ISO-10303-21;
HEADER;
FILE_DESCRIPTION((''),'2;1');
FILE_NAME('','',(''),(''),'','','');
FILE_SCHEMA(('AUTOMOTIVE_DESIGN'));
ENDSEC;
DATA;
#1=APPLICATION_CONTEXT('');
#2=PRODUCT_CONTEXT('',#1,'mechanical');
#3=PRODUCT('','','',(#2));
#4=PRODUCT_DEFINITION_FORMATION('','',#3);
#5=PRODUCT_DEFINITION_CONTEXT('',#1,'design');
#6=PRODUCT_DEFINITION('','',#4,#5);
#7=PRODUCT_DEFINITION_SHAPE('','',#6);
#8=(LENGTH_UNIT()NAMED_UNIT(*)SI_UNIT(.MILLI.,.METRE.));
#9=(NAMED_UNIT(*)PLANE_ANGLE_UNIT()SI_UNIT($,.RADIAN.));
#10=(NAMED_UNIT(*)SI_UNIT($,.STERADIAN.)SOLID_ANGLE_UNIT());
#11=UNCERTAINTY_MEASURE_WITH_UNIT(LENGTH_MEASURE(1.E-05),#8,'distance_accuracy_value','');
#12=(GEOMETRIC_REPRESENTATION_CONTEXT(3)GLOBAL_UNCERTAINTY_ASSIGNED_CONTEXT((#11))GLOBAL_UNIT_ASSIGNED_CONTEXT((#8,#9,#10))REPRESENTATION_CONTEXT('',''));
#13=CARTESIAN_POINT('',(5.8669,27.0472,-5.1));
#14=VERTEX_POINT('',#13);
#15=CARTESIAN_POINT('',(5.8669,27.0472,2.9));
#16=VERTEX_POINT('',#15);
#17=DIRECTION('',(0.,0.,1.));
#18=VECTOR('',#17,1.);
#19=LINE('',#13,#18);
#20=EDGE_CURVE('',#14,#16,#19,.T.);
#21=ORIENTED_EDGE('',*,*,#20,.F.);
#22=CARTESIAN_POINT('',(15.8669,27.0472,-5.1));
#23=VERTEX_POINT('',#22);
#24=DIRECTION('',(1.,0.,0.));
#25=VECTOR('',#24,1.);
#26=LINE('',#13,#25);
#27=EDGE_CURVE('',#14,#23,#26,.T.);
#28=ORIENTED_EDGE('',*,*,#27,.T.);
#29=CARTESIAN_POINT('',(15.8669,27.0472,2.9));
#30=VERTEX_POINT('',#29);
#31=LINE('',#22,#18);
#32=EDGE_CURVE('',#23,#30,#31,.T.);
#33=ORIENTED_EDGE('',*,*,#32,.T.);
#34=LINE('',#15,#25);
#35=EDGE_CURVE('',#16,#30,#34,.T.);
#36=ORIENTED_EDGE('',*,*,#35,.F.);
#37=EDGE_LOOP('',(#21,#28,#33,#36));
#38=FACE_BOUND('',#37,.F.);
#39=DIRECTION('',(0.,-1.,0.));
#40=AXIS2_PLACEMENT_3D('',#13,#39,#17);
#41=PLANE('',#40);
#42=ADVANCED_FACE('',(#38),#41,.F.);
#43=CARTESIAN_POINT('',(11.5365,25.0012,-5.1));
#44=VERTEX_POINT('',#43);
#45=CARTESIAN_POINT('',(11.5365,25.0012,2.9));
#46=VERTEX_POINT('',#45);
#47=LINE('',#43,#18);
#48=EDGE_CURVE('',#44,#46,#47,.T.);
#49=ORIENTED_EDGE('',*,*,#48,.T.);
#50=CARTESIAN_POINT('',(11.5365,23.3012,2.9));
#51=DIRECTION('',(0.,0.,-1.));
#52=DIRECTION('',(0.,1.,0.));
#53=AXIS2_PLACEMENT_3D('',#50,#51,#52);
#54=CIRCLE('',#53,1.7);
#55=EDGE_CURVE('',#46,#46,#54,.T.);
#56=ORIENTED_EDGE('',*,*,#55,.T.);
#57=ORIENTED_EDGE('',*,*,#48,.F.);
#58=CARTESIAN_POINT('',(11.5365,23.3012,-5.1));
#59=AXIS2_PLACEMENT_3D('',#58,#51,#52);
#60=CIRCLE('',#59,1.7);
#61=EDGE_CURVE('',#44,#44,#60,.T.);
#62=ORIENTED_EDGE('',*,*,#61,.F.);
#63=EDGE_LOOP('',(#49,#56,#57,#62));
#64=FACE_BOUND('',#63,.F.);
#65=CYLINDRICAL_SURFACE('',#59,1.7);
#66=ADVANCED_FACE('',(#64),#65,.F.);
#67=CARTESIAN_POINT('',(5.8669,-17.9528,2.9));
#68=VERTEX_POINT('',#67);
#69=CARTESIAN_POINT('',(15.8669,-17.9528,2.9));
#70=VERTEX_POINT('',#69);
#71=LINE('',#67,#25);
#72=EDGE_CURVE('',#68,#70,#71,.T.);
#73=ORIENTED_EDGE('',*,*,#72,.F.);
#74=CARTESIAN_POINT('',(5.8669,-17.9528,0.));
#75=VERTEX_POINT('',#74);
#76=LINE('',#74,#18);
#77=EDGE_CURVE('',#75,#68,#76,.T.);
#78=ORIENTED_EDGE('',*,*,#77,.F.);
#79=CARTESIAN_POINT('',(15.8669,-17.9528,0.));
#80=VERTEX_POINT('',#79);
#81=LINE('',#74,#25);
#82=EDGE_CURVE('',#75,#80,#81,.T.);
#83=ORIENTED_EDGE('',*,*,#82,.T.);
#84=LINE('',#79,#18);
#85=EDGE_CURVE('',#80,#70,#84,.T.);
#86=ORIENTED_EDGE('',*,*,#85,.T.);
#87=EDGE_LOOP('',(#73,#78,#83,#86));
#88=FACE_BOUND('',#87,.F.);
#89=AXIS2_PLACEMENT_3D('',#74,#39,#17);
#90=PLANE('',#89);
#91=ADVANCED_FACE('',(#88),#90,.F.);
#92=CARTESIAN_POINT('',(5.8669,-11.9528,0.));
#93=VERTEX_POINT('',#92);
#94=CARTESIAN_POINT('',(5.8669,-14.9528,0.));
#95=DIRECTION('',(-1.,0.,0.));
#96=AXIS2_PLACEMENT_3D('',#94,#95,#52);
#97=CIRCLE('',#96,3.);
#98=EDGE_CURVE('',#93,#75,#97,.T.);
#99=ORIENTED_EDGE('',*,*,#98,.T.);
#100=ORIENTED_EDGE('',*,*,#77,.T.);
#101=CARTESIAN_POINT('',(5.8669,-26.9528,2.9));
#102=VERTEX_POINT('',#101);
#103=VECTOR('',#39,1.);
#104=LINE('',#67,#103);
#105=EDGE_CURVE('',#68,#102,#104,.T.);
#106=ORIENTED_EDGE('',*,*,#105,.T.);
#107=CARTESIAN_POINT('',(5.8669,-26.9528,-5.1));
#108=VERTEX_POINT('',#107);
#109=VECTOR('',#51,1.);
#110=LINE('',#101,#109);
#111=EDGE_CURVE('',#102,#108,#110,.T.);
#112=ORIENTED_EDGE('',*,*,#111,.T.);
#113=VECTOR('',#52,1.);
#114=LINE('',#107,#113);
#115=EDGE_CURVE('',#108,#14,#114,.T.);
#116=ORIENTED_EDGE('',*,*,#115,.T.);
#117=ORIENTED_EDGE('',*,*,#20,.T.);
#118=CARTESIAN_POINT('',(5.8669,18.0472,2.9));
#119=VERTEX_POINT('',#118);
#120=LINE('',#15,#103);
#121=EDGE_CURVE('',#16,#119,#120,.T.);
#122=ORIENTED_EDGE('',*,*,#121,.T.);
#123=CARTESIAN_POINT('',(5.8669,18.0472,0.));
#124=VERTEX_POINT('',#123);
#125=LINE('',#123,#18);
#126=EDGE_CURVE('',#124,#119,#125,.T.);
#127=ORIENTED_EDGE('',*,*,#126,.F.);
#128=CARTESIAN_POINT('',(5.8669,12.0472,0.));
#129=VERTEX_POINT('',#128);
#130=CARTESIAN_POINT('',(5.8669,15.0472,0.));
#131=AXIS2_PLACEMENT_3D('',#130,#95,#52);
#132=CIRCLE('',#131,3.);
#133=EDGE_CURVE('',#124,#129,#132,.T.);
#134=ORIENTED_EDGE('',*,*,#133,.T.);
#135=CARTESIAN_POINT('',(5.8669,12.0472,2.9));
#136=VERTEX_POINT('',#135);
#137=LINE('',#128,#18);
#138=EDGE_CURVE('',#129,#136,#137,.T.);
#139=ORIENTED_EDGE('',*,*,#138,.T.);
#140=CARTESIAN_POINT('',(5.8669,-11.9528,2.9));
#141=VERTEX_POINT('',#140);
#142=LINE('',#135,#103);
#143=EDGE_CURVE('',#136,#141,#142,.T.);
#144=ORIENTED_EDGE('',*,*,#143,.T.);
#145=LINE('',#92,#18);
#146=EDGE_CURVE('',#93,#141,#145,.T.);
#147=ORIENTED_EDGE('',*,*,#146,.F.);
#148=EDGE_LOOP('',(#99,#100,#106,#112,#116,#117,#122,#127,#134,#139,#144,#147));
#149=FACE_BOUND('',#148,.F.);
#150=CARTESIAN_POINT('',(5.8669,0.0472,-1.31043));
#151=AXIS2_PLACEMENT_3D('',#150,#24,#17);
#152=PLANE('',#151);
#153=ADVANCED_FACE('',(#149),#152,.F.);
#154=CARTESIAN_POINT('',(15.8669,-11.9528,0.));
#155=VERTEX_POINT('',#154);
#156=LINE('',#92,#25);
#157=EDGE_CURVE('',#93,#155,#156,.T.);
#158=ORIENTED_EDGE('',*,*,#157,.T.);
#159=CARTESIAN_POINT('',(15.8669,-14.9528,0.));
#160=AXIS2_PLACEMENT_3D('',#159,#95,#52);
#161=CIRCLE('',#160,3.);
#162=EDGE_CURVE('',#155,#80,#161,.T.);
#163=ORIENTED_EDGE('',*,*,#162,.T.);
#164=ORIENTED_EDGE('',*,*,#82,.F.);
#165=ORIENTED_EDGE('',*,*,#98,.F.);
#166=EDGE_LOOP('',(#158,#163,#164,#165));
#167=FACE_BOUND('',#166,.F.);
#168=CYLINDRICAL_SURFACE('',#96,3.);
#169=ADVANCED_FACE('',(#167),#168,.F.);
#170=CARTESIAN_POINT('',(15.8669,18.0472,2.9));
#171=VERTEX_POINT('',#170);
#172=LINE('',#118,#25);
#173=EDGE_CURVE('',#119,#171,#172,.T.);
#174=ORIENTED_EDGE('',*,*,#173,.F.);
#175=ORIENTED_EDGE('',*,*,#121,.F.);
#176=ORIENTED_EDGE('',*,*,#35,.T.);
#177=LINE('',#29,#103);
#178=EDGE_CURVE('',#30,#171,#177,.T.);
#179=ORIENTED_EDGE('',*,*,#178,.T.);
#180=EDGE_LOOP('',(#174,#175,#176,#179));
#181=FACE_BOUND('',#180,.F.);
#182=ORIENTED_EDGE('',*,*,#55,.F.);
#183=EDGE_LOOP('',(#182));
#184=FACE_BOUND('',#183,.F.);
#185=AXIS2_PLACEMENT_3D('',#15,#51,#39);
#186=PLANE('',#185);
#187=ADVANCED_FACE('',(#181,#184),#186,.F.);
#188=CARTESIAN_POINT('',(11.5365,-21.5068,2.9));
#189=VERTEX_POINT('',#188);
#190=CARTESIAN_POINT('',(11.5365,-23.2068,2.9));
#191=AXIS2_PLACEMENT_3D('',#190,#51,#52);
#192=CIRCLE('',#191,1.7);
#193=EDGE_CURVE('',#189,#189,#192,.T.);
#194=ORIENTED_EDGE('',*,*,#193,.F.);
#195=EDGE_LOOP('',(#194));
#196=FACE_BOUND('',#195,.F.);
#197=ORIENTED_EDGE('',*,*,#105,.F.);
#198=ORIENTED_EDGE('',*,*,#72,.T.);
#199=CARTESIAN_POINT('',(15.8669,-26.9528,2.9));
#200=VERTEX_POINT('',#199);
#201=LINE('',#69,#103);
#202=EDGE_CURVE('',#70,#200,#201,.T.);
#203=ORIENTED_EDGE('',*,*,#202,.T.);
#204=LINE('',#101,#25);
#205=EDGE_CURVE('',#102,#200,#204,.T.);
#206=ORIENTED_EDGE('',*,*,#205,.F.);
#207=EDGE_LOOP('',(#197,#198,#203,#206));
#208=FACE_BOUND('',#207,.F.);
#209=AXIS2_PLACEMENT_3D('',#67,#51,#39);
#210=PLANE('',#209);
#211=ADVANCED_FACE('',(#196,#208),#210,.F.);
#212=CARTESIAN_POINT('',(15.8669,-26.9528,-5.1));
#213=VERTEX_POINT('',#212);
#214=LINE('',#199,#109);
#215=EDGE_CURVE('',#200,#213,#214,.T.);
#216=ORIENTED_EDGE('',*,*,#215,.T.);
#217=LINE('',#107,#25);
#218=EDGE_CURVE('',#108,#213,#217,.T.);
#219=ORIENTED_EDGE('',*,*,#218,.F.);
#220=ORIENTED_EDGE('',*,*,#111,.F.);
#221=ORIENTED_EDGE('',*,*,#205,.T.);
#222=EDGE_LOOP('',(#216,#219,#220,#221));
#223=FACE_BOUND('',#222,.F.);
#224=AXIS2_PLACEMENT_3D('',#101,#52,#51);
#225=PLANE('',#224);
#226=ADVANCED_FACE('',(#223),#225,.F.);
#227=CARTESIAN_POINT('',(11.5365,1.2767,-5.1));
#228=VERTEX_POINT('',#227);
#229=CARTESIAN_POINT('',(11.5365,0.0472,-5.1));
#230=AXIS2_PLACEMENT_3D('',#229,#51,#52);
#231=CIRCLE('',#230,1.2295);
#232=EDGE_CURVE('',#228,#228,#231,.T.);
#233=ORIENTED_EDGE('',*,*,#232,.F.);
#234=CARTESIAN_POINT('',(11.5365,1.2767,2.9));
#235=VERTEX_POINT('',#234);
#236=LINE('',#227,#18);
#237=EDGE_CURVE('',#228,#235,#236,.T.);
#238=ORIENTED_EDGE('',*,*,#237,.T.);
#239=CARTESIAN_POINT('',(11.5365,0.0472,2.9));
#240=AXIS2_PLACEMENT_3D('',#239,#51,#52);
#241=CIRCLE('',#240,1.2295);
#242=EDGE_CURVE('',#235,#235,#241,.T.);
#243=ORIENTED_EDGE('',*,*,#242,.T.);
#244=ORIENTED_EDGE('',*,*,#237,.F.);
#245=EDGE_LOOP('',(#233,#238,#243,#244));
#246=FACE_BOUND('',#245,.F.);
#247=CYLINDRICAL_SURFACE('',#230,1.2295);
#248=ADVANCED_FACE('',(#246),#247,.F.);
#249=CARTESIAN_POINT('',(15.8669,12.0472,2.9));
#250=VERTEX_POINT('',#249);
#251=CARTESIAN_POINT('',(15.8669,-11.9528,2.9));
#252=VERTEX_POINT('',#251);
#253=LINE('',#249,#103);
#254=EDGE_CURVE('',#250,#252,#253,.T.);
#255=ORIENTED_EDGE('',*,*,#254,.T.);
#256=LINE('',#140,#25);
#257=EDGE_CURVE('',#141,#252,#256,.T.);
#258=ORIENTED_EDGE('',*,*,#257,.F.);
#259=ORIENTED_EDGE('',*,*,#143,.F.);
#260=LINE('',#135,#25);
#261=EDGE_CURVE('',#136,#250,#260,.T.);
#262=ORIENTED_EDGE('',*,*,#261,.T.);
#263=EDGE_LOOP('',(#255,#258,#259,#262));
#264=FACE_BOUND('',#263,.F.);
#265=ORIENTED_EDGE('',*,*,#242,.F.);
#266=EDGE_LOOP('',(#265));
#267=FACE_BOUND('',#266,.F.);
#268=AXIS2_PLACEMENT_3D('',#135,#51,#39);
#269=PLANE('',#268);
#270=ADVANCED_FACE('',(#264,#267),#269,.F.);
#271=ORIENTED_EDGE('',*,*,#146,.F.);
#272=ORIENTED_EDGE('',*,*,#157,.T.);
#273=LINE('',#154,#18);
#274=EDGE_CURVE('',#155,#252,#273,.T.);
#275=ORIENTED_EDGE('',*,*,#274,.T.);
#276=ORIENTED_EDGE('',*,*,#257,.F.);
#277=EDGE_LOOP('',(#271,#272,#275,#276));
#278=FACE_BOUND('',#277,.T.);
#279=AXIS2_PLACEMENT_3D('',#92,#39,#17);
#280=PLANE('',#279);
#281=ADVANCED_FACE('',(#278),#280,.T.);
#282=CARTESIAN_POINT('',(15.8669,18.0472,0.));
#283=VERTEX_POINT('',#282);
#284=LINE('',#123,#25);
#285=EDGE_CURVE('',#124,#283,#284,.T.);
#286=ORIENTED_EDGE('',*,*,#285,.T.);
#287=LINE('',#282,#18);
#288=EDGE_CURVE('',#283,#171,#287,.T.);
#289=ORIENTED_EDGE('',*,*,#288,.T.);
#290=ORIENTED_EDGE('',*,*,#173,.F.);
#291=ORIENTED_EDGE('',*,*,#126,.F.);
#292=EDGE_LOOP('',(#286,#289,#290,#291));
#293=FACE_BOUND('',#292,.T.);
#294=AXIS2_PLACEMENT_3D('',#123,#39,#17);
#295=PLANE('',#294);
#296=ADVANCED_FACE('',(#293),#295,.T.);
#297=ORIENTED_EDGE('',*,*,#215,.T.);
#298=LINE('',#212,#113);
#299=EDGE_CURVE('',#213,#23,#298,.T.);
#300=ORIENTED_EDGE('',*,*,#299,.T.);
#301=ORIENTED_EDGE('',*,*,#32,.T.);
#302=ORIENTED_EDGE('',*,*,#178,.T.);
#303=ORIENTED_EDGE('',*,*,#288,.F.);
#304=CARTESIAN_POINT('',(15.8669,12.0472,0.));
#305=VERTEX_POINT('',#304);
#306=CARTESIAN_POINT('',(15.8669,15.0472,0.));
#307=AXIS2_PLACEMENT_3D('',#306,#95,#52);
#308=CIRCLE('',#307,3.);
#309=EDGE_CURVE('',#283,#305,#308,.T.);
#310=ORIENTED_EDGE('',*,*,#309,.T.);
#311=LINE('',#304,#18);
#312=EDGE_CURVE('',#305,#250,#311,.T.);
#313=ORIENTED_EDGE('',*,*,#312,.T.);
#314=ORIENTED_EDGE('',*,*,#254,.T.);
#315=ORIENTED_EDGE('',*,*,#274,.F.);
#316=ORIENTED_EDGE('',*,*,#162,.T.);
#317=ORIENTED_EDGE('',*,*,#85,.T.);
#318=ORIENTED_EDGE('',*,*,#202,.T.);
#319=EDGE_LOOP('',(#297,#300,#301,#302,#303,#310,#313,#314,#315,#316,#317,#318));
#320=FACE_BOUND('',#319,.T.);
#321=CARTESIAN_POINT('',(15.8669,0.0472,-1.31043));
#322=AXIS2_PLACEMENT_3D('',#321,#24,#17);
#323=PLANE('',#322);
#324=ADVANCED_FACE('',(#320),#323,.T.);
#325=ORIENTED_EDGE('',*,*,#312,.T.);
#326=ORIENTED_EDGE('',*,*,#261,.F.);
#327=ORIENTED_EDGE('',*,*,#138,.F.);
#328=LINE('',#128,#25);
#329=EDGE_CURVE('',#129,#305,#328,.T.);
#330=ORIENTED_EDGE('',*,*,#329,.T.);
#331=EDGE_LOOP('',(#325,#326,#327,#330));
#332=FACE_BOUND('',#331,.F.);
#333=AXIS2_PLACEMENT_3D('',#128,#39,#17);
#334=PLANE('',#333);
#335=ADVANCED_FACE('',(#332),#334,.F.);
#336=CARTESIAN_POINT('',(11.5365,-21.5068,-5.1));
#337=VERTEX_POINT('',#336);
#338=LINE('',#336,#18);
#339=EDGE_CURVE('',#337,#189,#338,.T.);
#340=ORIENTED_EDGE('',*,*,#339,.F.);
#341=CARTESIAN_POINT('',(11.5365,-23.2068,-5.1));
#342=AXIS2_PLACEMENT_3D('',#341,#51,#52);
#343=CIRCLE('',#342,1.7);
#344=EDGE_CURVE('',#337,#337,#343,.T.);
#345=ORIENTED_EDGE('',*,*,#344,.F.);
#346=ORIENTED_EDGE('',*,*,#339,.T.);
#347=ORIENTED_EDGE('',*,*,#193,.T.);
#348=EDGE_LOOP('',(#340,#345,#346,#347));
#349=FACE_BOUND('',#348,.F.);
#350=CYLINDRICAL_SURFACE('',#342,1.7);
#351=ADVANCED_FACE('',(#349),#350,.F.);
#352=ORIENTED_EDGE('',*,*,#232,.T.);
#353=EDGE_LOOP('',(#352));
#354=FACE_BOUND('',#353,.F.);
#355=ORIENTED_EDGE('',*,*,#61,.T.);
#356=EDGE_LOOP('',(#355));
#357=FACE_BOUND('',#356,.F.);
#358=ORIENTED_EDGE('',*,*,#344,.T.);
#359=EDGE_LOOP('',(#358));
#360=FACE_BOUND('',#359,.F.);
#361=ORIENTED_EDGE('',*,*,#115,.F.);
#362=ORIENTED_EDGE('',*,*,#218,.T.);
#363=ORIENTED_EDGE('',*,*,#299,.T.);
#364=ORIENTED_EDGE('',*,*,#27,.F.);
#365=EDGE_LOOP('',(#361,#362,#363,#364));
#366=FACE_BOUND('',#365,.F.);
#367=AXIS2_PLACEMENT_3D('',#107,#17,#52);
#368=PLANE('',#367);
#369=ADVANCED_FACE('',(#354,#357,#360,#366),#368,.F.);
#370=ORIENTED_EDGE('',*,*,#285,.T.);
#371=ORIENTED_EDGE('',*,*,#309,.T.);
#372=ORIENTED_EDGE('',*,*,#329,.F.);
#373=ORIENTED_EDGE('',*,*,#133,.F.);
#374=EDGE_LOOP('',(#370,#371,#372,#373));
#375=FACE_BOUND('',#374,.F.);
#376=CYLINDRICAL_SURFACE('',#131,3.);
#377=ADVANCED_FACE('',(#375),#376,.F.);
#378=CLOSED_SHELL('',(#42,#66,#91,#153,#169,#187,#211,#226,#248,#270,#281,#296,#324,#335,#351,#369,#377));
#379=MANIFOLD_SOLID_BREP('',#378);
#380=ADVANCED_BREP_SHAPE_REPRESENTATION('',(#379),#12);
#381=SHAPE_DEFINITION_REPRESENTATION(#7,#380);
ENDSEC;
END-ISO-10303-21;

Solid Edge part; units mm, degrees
sketch "Sketch1" plane through (5.8669, 0, 0) normal (1, 0, 0) x (0, 1, 0)
  arc A0 (-11.9528, 0) -> (-17.9528, 0) centre (-14.9528, 0) cw
  line L0 (-17.9528, 0) -> (-17.9528, 2.9)
  line L1 (-17.9528, 2.9) -> (-26.9528, 2.9)
  line L2 (-26.9528, 2.9) -> (-26.9528, -5.1)
  line L3 (-26.9528, -5.1) -> (27.0472, -5.1)
  line L4 (27.0472, -5.1) -> (27.0472, 2.9)
  line L5 (27.0472, 2.9) -> (18.0472, 2.9)
  line L6 (18.0472, 0) -> (18.0472, 2.9)
  arc A1 (18.0472, 0) -> (12.0472, 0) centre (15.0472, 0) cw
  line L7 (12.0472, 0) -> (12.0472, 2.9)
  line L8 (12.0472, 2.9) -> (-11.9528, 2.9)
  line L9 (-11.9528, 0) -> (-11.9528, 2.9)
  dimension "D1" = 8
extrude "Protrusion1" add sketch "Sketch1" along normal up to vertex (10 mm away)
sketch "Sketch2" plane through (10.8669, 0.0472, -5.1) normal (0, 0, -1) x (0, 1, 0)
  circle A0 centre (-23.254, 0.6696) radius 1.7
  circle A1 centre (0, 0.6696) radius 1.2295
  circle A2 centre (23.254, 0.6696) radius 1.7
extrude "Cutout1" cut sketch "Sketch2" against normal up to next
properties material "ABS Plastic, high impact"
